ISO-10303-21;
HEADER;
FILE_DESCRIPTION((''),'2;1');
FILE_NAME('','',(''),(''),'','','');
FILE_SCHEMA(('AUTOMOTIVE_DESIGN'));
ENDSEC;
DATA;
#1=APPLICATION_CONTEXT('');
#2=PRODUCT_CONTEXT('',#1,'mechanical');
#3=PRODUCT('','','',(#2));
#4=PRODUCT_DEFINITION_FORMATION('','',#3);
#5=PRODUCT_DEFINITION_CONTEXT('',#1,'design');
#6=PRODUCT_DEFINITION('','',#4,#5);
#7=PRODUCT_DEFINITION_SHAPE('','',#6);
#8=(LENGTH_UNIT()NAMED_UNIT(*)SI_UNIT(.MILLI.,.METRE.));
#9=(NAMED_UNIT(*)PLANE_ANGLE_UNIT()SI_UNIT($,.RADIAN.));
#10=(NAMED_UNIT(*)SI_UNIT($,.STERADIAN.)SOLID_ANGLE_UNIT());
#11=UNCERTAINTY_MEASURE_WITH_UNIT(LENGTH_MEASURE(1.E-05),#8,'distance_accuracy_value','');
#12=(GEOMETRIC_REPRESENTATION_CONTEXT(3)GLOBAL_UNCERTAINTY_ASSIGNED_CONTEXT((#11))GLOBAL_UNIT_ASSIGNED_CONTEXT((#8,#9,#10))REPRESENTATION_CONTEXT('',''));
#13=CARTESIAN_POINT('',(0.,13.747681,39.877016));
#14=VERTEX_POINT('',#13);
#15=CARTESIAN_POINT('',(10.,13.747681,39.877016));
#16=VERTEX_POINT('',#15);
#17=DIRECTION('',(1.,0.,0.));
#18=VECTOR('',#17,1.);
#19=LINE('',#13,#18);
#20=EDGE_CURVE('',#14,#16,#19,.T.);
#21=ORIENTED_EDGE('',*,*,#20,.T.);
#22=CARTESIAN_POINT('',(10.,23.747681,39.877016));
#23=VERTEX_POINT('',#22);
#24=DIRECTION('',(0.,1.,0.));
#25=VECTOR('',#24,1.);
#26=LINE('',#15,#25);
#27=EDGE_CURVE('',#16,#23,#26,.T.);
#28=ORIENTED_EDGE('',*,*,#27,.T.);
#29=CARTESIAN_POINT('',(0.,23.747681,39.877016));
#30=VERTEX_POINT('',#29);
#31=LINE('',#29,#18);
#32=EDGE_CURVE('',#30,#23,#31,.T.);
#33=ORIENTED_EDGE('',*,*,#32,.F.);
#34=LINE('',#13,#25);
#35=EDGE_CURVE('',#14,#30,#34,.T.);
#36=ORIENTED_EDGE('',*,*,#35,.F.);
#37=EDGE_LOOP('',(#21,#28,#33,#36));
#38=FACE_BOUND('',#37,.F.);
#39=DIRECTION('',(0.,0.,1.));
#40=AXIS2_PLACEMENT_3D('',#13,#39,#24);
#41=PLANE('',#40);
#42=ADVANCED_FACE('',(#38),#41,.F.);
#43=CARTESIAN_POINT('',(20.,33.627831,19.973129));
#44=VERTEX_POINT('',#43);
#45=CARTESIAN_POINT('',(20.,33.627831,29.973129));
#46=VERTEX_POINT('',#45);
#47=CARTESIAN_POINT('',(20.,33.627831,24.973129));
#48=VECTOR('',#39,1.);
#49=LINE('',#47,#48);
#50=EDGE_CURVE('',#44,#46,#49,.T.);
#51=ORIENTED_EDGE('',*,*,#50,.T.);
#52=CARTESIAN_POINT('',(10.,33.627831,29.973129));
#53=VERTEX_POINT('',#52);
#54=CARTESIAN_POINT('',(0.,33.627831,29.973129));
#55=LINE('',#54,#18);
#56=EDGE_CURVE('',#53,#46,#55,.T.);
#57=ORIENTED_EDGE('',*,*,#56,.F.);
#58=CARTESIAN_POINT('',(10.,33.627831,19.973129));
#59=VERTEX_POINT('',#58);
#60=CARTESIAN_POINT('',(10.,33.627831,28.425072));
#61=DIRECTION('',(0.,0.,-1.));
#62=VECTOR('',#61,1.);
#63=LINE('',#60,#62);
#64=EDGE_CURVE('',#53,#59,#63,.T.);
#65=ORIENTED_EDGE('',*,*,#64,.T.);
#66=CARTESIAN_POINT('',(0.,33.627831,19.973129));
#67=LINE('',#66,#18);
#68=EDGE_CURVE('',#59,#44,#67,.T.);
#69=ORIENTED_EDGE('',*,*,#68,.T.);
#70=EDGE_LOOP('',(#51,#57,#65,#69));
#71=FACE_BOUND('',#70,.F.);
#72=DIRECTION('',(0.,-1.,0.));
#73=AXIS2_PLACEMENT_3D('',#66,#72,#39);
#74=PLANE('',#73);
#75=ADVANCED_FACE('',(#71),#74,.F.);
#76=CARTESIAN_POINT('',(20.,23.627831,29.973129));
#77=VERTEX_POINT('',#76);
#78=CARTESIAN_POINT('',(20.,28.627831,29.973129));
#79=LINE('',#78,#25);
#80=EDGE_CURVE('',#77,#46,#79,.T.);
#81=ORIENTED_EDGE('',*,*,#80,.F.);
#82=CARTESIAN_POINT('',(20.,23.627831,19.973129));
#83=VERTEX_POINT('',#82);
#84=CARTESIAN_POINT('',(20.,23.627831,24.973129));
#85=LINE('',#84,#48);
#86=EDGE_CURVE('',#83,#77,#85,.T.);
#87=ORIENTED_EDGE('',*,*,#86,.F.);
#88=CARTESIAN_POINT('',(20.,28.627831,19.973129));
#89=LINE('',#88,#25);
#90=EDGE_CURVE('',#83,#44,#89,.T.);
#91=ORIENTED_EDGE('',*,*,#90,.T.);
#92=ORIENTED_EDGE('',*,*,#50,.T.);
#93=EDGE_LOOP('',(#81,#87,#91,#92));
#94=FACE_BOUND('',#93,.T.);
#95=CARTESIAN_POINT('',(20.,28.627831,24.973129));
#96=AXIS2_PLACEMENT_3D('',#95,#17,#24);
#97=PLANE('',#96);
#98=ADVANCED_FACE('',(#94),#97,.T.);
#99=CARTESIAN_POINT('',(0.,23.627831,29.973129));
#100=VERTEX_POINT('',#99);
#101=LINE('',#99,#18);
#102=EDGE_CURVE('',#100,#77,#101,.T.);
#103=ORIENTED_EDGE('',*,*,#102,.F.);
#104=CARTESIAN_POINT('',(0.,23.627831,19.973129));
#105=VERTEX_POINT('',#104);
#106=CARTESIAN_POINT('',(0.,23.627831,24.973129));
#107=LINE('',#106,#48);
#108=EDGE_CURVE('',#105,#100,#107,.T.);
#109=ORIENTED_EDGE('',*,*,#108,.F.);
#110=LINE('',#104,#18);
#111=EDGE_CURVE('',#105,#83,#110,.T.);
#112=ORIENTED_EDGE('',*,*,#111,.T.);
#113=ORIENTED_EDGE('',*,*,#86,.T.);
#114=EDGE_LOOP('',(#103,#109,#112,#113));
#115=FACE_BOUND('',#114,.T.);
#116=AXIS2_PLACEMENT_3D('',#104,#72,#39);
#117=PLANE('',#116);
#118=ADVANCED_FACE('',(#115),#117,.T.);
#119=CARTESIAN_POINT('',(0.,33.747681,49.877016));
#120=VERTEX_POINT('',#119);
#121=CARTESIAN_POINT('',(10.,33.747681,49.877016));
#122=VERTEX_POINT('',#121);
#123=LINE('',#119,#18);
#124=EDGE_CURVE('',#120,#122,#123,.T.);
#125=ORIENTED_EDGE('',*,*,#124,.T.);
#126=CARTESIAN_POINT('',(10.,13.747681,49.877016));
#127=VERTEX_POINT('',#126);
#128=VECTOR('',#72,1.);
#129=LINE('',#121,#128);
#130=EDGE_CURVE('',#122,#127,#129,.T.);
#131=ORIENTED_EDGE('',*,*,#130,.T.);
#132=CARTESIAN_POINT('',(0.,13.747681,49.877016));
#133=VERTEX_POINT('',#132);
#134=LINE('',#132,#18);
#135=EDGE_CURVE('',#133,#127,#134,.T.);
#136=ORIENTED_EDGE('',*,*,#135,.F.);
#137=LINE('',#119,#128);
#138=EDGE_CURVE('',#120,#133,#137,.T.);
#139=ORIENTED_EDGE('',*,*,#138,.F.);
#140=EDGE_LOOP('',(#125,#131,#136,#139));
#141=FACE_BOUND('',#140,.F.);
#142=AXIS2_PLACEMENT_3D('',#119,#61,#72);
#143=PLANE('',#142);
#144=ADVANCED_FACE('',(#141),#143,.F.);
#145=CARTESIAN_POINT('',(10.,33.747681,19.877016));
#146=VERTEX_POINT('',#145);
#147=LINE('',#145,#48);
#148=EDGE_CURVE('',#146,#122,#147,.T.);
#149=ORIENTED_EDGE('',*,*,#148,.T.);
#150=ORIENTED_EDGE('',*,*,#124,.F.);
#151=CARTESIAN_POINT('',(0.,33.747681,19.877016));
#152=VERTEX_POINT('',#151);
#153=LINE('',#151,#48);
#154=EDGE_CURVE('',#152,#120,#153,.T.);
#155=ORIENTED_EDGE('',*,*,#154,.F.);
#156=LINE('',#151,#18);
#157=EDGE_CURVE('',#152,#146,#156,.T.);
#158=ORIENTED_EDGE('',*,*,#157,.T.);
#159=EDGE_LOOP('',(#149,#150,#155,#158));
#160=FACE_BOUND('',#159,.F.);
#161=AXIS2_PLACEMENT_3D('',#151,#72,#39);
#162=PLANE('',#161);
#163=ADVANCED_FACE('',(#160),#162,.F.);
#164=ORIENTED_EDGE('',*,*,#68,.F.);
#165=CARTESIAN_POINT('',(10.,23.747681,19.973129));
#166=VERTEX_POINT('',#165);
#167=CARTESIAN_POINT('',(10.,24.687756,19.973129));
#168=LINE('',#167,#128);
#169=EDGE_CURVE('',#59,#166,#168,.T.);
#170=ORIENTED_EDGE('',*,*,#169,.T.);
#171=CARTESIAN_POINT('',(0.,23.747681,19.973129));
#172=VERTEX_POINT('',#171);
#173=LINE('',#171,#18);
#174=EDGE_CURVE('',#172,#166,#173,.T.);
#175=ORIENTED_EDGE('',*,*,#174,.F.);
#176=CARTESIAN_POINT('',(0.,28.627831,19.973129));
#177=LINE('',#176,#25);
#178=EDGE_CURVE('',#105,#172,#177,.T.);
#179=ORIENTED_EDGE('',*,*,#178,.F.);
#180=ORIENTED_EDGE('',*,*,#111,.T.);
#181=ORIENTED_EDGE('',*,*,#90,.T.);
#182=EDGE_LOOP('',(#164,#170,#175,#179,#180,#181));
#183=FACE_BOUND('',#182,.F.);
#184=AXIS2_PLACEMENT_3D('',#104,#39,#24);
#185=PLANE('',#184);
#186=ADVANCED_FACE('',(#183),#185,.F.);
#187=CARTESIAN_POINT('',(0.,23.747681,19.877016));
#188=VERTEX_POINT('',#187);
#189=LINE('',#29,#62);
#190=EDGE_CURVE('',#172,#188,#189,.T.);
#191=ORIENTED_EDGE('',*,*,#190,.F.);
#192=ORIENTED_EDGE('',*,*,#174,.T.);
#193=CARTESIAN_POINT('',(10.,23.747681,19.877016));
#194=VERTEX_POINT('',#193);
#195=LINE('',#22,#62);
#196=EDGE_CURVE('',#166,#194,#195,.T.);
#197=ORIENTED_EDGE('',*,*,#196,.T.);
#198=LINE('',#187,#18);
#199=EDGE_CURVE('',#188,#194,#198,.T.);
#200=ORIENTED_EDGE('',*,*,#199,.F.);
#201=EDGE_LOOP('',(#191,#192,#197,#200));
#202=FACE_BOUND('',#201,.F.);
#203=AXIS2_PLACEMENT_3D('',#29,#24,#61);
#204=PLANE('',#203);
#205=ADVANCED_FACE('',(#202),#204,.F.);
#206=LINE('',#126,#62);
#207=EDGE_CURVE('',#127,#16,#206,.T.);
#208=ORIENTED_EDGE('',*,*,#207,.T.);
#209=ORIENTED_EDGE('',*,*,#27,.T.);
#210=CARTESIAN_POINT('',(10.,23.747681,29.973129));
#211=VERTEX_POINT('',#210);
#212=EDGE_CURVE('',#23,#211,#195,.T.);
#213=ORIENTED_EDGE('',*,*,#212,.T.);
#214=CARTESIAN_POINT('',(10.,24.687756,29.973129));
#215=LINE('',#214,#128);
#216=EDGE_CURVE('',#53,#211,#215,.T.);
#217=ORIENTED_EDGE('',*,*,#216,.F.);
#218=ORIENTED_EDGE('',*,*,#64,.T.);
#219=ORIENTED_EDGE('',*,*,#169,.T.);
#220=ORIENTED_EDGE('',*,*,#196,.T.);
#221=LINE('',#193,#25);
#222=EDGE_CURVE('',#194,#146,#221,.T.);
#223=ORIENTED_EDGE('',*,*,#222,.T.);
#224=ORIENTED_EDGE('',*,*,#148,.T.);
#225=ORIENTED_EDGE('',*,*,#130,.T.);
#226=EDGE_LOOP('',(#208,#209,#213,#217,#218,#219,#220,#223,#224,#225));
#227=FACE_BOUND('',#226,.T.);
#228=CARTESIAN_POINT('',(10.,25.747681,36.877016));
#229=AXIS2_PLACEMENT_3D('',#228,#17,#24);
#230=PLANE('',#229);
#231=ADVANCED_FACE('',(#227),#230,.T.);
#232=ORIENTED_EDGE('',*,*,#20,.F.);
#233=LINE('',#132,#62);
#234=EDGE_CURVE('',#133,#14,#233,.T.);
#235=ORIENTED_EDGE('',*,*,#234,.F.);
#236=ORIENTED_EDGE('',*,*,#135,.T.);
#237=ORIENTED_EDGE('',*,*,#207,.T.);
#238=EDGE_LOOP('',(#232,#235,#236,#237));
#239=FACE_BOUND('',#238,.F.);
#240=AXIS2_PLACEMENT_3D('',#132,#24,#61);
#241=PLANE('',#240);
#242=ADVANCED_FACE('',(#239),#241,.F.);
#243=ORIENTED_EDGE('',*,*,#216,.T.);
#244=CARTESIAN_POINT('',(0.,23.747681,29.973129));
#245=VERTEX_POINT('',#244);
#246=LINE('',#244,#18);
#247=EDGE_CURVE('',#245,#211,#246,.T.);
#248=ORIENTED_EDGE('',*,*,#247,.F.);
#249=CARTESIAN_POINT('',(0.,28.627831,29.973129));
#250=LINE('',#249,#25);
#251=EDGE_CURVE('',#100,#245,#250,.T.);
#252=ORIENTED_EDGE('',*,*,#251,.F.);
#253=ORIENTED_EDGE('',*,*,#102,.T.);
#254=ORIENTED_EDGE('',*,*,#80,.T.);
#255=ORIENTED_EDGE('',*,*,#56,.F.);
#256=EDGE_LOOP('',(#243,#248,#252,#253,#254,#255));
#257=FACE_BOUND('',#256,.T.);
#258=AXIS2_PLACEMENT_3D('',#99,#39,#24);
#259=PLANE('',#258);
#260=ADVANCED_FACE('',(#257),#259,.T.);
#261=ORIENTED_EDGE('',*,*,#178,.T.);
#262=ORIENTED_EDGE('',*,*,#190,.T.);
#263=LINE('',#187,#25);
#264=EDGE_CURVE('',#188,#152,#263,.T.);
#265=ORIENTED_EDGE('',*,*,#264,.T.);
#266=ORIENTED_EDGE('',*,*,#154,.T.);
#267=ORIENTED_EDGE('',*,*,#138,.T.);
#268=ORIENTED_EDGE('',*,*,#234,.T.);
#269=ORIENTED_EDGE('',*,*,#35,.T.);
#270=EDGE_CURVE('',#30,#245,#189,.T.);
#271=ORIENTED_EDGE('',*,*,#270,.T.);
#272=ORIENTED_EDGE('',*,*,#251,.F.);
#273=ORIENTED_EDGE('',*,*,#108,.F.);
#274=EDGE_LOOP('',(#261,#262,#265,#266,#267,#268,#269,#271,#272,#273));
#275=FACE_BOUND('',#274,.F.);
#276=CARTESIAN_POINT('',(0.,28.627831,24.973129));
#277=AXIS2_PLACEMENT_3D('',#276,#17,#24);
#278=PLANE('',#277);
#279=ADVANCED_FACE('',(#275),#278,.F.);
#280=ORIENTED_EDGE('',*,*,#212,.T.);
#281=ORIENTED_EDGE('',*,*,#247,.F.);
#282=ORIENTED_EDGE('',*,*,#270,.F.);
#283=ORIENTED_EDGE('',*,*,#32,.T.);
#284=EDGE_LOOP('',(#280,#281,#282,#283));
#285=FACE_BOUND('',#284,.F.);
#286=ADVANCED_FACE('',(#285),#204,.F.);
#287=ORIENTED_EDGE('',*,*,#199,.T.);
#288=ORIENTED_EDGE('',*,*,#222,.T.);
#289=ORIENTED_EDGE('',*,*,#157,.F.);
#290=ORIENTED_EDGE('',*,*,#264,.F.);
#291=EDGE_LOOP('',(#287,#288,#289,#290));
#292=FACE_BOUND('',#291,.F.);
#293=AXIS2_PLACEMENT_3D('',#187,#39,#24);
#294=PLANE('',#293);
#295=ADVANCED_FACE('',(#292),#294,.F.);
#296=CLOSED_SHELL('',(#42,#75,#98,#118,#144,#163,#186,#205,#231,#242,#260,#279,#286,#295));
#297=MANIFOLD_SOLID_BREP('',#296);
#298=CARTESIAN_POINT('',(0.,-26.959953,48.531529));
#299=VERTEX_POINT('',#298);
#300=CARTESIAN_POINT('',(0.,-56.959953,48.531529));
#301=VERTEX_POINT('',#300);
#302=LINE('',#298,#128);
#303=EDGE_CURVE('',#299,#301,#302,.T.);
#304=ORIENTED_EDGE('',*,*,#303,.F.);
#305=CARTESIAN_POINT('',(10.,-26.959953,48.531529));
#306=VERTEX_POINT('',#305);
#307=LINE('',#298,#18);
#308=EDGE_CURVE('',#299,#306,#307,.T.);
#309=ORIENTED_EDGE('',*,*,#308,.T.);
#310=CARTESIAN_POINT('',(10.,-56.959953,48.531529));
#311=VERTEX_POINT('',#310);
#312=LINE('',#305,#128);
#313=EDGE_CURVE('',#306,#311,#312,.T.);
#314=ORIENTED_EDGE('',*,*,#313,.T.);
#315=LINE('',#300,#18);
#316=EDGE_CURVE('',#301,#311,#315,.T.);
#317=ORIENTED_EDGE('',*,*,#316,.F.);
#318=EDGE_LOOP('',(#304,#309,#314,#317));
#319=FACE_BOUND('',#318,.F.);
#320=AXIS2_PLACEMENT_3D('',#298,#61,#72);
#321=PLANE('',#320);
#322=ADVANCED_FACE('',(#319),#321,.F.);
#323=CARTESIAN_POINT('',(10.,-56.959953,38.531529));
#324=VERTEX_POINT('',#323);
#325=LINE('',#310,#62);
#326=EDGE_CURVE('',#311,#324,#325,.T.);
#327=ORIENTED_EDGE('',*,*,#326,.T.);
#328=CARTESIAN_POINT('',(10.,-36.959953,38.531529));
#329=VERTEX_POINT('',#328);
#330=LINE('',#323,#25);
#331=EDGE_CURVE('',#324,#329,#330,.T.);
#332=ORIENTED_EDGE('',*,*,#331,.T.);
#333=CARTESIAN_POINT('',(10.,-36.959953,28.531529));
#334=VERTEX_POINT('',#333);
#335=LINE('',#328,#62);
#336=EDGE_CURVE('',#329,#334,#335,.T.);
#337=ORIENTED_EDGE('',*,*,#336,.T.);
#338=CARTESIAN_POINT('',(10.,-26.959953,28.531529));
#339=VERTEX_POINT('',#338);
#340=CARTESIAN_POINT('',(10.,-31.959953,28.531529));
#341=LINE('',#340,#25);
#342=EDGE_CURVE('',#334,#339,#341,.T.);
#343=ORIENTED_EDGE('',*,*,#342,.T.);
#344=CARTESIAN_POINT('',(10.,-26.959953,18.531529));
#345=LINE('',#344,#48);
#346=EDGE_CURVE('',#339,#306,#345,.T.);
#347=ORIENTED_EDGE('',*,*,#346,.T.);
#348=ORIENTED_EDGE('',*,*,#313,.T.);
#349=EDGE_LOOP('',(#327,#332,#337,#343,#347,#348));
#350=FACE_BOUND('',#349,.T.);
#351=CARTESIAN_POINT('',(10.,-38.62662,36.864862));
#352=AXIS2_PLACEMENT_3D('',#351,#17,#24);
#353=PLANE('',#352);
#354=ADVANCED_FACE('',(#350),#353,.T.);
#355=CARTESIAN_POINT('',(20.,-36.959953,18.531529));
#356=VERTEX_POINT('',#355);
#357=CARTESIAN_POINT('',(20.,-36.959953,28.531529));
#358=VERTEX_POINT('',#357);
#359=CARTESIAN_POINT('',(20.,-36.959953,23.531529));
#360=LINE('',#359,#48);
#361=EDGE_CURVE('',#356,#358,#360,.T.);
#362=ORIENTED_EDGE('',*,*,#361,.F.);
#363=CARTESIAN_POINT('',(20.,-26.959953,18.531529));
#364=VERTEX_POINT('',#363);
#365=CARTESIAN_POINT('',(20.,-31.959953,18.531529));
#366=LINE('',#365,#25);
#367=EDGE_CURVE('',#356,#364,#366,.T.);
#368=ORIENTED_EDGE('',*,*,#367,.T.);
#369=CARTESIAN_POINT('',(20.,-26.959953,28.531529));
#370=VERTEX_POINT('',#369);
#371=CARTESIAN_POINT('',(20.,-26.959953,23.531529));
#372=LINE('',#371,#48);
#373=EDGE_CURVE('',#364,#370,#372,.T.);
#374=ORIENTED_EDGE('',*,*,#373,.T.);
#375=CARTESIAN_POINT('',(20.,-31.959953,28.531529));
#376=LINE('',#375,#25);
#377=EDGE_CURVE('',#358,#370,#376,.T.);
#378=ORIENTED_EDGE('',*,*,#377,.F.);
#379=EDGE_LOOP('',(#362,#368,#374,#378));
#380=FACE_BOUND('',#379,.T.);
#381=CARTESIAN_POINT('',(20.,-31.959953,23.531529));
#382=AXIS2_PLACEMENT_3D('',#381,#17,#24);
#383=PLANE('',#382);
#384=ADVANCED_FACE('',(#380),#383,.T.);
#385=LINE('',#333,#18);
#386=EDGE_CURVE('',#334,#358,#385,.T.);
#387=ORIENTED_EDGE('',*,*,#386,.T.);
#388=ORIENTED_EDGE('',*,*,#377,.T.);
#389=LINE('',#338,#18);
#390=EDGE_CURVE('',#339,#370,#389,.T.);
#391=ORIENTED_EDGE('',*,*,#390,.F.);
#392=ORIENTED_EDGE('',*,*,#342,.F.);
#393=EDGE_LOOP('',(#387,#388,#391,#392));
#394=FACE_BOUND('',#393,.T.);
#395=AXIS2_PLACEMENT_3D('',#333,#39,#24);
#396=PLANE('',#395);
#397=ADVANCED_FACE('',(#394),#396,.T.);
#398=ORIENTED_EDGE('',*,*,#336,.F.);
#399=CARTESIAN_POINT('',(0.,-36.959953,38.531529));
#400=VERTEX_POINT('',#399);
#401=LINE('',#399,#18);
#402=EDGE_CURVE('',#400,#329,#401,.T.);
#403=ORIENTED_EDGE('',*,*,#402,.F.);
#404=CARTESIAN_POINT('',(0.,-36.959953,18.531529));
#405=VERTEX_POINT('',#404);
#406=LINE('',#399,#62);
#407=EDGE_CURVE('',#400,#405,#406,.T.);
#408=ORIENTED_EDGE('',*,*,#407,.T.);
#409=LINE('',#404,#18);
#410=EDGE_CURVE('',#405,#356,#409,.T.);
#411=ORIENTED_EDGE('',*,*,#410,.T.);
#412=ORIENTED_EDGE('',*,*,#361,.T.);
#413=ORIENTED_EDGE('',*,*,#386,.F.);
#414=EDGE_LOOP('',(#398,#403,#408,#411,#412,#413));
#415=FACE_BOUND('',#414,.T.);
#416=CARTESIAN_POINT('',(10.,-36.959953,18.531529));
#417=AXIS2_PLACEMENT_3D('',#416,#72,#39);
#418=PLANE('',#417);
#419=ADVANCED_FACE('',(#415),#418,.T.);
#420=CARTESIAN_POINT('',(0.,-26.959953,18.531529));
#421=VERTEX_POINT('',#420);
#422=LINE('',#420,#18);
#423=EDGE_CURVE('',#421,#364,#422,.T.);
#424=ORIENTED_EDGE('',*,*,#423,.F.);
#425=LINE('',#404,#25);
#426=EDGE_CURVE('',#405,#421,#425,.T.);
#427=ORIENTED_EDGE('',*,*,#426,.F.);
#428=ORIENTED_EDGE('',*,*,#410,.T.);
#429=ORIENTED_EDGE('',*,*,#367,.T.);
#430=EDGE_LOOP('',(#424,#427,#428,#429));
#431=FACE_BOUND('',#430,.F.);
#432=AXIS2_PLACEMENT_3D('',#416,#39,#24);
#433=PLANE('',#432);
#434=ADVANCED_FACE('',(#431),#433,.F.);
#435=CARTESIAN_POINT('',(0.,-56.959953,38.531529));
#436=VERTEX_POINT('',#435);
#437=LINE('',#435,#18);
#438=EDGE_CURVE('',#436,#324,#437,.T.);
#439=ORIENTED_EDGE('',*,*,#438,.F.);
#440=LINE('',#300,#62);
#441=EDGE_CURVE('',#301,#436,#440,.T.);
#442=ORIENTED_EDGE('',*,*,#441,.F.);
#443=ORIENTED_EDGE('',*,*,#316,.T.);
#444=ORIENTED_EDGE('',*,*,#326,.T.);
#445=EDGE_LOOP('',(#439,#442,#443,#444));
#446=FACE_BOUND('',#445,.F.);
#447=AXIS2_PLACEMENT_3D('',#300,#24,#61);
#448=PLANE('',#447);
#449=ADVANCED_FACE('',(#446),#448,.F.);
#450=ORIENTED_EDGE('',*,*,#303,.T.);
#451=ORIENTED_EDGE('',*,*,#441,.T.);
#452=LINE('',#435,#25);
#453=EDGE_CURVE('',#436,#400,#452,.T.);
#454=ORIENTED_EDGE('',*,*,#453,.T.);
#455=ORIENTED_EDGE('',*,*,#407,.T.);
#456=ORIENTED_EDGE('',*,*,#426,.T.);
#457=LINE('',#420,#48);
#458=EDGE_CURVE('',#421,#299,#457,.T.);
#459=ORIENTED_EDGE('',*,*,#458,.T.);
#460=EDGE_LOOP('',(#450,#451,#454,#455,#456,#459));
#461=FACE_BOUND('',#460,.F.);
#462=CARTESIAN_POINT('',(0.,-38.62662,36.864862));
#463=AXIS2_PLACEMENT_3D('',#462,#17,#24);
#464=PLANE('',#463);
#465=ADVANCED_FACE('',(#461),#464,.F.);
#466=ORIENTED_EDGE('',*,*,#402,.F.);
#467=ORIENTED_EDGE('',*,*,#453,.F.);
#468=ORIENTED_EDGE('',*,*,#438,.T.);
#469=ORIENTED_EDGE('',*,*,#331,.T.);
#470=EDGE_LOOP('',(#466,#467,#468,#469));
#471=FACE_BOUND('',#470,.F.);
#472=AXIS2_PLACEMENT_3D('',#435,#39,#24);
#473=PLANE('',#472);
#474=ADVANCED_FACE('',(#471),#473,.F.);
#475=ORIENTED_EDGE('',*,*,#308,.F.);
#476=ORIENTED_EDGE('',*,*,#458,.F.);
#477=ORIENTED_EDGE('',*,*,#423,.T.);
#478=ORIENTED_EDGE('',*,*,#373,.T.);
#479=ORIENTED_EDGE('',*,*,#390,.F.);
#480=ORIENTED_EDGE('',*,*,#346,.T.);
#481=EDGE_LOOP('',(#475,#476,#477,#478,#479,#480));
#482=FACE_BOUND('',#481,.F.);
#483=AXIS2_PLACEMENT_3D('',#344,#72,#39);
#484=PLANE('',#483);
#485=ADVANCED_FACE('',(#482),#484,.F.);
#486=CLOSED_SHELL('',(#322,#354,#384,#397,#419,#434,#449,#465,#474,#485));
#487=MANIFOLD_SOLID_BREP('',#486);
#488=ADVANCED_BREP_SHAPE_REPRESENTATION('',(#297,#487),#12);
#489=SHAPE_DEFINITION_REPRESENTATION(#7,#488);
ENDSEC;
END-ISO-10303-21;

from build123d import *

# Parameters (mm, degrees)
F1_DEPTH = 10
F2_W     = 10
F2_H     = 10
F3_DEPTH = 10
F5_DEPTH = 10
F6_W     = 10
F6_H     = 10
F7_DEPTH = 20


with BuildPart() as f1:
    # F0 (on Right) → F1 (new body)
    with BuildSketch(Plane.YZ):
        Polygon((-26.959953, 48.531529), (-56.959953, 48.531529), (-56.959953, 38.531529), (-36.959953, 38.531529), (-36.959953, 18.531529), (-26.959953, 18.531529), align=None)
    extrude(amount=F1_DEPTH)

    # F2 (on face) → F3 (join)
    with BuildSketch(Plane.YZ.offset(10)):
        with Locations((-31.959953, 23.531529)):
            Rectangle(F2_W, F2_H)
    extrude(amount=F3_DEPTH)


with BuildPart() as f5:
    # F4 (on Right) → F5 (new body)
    with BuildSketch(Plane.YZ):
        Polygon((33.747681, 49.877016), (13.747681, 49.877016), (13.747681, 39.877016), (23.747681, 39.877016), (23.747681, 19.877016), (33.747681, 19.877016), align=None)
    extrude(amount=F5_DEPTH)

    # F6 (on Right) → F7 (join)
    with BuildSketch(Plane.YZ):
        with Locations((28.627831, 24.973129)):
            Rectangle(F6_W, F6_H)
    extrude(amount=F7_DEPTH)


solid = Compound([f1.part, f5.part])
